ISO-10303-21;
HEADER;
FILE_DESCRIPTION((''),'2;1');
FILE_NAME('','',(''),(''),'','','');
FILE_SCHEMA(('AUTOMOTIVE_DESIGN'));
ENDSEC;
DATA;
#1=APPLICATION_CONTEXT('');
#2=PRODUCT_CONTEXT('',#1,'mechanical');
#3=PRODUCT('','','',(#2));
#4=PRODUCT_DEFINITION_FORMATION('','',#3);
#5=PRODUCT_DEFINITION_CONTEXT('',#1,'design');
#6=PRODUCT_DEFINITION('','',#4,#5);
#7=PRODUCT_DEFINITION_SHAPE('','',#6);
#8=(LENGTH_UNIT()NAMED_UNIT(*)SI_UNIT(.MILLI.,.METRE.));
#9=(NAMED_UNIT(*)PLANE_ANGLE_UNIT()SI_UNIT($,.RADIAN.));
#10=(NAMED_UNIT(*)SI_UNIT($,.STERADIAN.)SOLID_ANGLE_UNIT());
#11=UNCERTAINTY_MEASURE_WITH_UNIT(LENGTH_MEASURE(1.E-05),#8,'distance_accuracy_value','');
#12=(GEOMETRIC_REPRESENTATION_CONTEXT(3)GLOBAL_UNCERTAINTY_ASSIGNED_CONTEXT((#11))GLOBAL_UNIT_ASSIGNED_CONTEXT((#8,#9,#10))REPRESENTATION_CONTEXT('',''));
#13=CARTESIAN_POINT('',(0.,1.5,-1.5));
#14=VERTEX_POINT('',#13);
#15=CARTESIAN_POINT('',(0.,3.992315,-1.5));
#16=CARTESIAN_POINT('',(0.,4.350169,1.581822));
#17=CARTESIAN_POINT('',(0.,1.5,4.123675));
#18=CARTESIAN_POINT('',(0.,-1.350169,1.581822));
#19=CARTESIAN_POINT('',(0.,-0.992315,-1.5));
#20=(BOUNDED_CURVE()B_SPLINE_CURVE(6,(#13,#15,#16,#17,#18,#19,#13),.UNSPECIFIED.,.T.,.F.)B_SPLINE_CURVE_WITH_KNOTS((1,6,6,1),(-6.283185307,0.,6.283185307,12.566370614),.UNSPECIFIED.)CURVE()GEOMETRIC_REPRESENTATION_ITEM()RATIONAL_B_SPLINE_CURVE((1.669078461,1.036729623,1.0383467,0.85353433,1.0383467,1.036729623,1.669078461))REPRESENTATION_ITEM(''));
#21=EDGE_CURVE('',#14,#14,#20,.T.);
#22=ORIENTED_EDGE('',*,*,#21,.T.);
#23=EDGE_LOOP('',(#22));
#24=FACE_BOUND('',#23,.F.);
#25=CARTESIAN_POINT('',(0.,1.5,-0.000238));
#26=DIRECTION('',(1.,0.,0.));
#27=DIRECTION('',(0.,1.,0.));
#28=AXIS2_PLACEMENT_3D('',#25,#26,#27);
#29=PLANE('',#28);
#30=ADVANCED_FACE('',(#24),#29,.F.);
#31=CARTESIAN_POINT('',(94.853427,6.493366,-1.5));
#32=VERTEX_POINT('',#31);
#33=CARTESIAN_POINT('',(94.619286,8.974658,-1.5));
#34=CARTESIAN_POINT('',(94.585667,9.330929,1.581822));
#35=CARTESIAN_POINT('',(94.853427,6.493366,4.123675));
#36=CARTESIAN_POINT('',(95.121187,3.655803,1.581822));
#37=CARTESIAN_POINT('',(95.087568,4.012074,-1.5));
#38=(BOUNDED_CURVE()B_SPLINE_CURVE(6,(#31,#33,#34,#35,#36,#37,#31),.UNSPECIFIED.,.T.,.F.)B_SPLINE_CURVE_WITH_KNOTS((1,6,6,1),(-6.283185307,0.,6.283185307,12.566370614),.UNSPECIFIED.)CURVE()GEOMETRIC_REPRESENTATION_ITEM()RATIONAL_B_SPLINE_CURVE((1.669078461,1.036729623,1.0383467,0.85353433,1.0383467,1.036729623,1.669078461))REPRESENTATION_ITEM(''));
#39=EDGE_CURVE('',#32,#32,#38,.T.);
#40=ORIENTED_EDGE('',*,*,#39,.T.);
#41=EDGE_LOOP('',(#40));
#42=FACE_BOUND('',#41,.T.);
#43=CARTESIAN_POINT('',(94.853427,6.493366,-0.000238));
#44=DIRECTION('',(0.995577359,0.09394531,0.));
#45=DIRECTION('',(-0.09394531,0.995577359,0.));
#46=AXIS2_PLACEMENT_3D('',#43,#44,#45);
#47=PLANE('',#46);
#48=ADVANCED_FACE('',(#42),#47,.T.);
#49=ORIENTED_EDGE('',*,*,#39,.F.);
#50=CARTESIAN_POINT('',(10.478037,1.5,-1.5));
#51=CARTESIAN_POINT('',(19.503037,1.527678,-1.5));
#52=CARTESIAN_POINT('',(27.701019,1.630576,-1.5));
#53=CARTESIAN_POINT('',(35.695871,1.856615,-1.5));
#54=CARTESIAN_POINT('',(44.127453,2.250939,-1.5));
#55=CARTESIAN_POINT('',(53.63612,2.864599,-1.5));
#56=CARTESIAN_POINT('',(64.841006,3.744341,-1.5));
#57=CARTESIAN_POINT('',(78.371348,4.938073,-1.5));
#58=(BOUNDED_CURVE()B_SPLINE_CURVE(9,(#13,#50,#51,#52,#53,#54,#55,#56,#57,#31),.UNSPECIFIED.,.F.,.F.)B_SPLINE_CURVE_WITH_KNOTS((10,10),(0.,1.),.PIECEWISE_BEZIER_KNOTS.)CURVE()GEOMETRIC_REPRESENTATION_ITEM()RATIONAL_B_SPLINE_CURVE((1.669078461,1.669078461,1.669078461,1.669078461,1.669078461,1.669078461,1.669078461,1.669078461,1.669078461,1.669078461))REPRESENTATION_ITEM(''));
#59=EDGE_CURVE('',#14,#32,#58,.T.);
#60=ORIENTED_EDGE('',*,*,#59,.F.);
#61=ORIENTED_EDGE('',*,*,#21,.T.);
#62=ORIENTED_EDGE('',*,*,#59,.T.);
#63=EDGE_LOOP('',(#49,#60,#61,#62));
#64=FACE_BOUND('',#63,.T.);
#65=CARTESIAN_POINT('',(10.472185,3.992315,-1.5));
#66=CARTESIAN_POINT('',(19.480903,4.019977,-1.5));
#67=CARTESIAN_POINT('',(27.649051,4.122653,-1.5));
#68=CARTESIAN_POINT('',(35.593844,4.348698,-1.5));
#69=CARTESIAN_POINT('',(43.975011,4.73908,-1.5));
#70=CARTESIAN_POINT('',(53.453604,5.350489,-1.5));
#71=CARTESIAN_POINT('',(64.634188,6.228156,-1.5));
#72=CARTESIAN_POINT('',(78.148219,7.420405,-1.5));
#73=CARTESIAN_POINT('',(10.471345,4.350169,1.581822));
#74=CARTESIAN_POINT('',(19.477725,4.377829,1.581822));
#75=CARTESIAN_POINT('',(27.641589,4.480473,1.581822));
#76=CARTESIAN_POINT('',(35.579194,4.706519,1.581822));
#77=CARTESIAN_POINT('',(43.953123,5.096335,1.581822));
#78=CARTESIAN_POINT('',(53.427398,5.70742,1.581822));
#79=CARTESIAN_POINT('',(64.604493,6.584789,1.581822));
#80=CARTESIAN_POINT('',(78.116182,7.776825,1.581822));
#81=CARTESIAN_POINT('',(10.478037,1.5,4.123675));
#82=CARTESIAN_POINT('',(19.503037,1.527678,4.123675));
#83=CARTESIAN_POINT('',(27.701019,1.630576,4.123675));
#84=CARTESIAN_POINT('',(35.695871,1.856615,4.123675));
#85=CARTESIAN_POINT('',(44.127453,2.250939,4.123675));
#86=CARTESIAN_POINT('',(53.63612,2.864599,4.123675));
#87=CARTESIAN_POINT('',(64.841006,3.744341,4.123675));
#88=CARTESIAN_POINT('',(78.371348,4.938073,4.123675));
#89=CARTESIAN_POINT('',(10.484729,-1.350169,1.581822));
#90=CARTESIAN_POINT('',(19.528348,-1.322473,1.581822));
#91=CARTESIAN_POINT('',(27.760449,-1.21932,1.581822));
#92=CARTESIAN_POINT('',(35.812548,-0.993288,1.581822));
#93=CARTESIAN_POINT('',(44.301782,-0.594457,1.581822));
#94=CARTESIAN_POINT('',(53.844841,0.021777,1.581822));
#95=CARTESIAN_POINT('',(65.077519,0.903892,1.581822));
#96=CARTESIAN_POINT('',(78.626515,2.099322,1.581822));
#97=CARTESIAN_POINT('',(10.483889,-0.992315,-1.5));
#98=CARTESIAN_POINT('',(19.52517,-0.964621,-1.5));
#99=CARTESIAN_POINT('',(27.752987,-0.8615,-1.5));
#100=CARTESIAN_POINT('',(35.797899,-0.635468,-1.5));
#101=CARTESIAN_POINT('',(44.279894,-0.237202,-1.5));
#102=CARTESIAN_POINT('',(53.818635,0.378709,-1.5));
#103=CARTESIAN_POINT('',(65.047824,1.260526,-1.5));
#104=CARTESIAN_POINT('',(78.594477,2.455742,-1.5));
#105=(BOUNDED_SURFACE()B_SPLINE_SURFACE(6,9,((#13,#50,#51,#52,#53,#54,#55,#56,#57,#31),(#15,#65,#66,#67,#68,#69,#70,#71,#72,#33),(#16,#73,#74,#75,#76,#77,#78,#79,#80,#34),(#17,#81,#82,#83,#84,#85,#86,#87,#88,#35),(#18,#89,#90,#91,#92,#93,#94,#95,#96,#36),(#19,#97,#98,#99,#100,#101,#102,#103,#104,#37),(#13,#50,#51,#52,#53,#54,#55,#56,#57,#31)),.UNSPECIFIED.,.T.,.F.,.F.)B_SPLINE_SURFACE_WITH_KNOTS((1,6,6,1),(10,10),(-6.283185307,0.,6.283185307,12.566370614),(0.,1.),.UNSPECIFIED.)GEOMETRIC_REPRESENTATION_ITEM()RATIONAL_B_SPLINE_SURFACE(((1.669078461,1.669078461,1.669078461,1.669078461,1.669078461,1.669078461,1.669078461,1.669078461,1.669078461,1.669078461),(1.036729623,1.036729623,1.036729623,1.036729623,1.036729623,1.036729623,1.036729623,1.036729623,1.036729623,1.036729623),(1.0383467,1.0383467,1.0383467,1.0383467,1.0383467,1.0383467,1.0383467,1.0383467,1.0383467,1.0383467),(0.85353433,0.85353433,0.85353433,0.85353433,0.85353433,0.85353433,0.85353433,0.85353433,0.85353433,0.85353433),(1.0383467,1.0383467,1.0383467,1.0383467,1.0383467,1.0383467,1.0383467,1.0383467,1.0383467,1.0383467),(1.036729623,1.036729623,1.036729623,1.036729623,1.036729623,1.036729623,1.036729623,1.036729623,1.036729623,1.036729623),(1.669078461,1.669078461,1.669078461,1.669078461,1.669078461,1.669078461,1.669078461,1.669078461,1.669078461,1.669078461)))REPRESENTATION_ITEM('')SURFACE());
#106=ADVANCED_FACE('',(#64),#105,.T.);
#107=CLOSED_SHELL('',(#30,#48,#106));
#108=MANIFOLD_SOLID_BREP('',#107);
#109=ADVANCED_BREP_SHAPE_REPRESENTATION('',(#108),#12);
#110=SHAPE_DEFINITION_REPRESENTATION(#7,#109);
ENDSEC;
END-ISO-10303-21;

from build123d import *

# Parameters (mm, degrees)
SKETCH2_R = 1.5


with BuildPart() as part:
    # Sweep1: sweep along a path in Sketch1
    with BuildLine(Plane.XY) as sweep1_path:
        add(Edge.make_bspline(
            [(0, 0), (31.444677622, 0), (45.528224312, 0.332246131), (94.99434518, 5)],
            knots=[0, 0, 0, 0, 1, 1, 1, 1], degree=3))
    # Sketch2 → Sweep1 (sweep)
    with BuildSketch(Plane(origin=(0, 0, 0), x_dir=(0, 0, -1), z_dir=(1, 0, 0))):
        with Locations((0, 1.5)):
            Circle(SKETCH2_R)
    sweep(path=sweep1_path.line)


solid = part.part
